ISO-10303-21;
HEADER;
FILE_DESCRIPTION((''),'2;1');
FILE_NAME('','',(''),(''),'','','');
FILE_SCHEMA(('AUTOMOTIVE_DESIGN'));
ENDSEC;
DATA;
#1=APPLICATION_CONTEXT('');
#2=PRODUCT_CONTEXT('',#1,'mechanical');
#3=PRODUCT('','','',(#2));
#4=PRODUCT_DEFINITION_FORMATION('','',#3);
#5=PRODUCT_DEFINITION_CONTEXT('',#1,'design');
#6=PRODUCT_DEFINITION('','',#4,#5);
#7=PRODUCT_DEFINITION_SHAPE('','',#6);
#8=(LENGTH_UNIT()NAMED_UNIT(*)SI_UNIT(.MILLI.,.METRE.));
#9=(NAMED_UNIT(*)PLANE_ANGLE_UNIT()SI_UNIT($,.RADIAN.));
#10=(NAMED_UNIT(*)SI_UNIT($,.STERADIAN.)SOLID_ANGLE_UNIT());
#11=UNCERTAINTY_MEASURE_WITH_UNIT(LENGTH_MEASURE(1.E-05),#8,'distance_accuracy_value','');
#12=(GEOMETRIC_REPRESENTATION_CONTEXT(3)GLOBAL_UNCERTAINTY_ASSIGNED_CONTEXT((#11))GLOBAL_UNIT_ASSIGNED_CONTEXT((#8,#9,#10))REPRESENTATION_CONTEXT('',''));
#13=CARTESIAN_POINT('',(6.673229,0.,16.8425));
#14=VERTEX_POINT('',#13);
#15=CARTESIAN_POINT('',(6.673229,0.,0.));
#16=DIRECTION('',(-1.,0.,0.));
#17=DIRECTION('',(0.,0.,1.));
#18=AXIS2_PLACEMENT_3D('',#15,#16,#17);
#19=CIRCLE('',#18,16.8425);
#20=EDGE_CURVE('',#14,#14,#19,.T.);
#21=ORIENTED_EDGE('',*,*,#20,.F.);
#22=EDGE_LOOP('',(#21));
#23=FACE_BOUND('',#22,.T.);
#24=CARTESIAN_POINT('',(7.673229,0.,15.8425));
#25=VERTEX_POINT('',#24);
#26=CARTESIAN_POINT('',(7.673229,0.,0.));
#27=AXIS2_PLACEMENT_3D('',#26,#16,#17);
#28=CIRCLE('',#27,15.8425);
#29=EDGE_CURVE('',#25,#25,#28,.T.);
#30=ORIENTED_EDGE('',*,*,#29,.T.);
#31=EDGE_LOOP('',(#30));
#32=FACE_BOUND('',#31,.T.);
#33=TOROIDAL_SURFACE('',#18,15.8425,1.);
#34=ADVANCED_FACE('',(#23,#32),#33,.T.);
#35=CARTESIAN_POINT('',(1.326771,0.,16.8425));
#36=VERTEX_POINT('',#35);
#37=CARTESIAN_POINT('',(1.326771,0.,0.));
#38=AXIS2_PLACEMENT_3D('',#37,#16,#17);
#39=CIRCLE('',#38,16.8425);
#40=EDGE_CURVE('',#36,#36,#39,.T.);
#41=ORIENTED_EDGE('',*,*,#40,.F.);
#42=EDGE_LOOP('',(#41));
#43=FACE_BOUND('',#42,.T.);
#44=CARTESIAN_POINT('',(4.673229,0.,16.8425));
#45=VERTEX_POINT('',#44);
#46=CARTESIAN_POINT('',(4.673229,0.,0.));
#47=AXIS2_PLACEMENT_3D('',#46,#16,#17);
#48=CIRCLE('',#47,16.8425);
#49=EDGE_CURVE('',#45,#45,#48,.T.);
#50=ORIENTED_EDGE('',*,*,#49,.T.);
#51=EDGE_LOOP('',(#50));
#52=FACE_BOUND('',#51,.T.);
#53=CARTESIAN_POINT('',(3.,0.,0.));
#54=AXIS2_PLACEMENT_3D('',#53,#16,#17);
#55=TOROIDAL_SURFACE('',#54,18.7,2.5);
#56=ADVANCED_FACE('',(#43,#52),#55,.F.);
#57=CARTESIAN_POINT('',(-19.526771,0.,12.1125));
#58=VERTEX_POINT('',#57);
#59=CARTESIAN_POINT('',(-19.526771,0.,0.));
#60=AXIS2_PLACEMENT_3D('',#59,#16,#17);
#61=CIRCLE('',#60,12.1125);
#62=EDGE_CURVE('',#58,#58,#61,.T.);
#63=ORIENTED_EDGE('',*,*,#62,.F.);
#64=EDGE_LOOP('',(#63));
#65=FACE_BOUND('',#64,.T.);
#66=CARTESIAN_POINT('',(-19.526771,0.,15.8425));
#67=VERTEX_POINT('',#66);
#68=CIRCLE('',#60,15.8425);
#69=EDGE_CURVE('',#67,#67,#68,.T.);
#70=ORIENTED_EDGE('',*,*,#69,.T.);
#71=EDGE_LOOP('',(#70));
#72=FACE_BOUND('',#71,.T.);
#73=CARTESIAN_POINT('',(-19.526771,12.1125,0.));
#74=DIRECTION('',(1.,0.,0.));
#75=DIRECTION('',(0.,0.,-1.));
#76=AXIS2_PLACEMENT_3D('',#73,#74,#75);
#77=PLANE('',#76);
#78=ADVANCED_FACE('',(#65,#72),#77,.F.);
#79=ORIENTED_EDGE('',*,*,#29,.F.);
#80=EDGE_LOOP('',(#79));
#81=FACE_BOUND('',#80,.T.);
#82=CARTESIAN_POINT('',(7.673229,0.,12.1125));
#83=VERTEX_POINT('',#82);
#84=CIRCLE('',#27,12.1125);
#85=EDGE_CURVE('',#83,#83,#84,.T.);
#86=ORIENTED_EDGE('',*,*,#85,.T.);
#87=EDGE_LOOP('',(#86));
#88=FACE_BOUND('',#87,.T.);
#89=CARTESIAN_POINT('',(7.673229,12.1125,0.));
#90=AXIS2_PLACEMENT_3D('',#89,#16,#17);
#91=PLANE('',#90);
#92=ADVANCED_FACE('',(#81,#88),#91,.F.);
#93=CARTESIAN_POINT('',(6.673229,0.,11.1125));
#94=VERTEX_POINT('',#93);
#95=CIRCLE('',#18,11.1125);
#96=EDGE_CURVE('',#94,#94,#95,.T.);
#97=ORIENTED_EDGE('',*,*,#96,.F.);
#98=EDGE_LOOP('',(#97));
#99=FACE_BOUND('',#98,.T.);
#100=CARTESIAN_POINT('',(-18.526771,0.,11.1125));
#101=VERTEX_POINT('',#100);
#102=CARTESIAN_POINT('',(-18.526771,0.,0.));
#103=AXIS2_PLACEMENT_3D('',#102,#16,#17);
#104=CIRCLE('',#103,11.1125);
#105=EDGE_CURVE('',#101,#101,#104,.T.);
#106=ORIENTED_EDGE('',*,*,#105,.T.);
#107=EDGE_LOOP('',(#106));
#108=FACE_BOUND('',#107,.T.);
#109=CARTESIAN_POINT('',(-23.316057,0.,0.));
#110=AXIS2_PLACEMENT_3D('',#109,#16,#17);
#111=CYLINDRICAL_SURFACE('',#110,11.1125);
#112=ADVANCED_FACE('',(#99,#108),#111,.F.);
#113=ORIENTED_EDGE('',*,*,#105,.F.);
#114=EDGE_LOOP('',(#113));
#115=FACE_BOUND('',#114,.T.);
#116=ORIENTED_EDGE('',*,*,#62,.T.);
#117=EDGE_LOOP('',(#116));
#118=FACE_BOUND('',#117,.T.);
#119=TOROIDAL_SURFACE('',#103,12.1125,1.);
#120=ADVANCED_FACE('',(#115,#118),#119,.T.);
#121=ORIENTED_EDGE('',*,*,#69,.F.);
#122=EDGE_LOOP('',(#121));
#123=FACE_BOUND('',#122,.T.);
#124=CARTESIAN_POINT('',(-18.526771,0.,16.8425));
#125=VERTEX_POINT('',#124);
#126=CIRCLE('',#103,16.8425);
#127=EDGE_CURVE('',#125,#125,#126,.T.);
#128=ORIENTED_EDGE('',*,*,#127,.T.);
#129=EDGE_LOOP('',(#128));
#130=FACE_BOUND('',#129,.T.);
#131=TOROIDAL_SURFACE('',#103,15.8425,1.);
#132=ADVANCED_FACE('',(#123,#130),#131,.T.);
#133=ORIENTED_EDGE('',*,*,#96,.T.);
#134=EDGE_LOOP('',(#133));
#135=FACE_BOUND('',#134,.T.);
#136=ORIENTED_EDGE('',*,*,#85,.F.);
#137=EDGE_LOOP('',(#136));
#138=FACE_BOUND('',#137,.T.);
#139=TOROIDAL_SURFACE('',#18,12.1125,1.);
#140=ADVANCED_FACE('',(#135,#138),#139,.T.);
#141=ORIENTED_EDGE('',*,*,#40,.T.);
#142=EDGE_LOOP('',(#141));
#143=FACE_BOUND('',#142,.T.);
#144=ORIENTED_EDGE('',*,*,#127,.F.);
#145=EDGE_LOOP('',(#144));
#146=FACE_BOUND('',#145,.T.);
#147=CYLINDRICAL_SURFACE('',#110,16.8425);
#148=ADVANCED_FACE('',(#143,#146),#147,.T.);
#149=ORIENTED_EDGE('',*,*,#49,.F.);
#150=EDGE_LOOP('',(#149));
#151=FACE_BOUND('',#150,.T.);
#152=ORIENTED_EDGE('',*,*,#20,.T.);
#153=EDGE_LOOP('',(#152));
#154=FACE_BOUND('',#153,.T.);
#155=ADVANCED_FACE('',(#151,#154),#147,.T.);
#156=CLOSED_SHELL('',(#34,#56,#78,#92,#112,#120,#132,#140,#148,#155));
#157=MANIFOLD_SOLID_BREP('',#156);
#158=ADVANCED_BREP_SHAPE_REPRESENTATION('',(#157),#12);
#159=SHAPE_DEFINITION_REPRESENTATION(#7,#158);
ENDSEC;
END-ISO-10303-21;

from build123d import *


with BuildPart() as part:
    # Sketch1 → Revolve1 (revolve)
    with BuildSketch(Plane.XY, mode=Mode.PRIVATE) as revolve1_sk:
        with BuildLine():
            Line((-18.526771459, 11.1125), (6.673228541, 11.1125))
            ThreePointArc((6.673228541, 11.1125), (7.380335322, 11.405393219), (7.673228541, 12.1125))
            Line((7.673228541, 12.1125), (7.673228541, 15.8425))
            ThreePointArc((7.673228541, 15.8425), (7.380335322, 16.549606781), (6.673228541, 16.8425))
            Line((6.673228541, 16.8425), (4.673228541, 16.8425))
            ThreePointArc((4.673228541, 16.8425), (3, 16.2), (1.326771459, 16.8425))
            Line((1.326771459, 16.8425), (-18.526771459, 16.8425))
            ThreePointArc((-18.526771459, 16.8425), (-19.23387824, 16.549606781), (-19.526771459, 15.8425))
            Line((-19.526771459, 15.8425), (-19.526771459, 12.1125))
            ThreePointArc((-19.526771459, 12.1125), (-19.23387824, 11.405393219), (-18.526771459, 11.1125))
        make_face()
    revolve(revolve1_sk.sketch.rotate(Axis((-23.316056516, 0, 0), (1, 0, 0)), 90), axis=Axis((-23.316056516, 0, 0), (1, 0, 0)))


solid = part.part
